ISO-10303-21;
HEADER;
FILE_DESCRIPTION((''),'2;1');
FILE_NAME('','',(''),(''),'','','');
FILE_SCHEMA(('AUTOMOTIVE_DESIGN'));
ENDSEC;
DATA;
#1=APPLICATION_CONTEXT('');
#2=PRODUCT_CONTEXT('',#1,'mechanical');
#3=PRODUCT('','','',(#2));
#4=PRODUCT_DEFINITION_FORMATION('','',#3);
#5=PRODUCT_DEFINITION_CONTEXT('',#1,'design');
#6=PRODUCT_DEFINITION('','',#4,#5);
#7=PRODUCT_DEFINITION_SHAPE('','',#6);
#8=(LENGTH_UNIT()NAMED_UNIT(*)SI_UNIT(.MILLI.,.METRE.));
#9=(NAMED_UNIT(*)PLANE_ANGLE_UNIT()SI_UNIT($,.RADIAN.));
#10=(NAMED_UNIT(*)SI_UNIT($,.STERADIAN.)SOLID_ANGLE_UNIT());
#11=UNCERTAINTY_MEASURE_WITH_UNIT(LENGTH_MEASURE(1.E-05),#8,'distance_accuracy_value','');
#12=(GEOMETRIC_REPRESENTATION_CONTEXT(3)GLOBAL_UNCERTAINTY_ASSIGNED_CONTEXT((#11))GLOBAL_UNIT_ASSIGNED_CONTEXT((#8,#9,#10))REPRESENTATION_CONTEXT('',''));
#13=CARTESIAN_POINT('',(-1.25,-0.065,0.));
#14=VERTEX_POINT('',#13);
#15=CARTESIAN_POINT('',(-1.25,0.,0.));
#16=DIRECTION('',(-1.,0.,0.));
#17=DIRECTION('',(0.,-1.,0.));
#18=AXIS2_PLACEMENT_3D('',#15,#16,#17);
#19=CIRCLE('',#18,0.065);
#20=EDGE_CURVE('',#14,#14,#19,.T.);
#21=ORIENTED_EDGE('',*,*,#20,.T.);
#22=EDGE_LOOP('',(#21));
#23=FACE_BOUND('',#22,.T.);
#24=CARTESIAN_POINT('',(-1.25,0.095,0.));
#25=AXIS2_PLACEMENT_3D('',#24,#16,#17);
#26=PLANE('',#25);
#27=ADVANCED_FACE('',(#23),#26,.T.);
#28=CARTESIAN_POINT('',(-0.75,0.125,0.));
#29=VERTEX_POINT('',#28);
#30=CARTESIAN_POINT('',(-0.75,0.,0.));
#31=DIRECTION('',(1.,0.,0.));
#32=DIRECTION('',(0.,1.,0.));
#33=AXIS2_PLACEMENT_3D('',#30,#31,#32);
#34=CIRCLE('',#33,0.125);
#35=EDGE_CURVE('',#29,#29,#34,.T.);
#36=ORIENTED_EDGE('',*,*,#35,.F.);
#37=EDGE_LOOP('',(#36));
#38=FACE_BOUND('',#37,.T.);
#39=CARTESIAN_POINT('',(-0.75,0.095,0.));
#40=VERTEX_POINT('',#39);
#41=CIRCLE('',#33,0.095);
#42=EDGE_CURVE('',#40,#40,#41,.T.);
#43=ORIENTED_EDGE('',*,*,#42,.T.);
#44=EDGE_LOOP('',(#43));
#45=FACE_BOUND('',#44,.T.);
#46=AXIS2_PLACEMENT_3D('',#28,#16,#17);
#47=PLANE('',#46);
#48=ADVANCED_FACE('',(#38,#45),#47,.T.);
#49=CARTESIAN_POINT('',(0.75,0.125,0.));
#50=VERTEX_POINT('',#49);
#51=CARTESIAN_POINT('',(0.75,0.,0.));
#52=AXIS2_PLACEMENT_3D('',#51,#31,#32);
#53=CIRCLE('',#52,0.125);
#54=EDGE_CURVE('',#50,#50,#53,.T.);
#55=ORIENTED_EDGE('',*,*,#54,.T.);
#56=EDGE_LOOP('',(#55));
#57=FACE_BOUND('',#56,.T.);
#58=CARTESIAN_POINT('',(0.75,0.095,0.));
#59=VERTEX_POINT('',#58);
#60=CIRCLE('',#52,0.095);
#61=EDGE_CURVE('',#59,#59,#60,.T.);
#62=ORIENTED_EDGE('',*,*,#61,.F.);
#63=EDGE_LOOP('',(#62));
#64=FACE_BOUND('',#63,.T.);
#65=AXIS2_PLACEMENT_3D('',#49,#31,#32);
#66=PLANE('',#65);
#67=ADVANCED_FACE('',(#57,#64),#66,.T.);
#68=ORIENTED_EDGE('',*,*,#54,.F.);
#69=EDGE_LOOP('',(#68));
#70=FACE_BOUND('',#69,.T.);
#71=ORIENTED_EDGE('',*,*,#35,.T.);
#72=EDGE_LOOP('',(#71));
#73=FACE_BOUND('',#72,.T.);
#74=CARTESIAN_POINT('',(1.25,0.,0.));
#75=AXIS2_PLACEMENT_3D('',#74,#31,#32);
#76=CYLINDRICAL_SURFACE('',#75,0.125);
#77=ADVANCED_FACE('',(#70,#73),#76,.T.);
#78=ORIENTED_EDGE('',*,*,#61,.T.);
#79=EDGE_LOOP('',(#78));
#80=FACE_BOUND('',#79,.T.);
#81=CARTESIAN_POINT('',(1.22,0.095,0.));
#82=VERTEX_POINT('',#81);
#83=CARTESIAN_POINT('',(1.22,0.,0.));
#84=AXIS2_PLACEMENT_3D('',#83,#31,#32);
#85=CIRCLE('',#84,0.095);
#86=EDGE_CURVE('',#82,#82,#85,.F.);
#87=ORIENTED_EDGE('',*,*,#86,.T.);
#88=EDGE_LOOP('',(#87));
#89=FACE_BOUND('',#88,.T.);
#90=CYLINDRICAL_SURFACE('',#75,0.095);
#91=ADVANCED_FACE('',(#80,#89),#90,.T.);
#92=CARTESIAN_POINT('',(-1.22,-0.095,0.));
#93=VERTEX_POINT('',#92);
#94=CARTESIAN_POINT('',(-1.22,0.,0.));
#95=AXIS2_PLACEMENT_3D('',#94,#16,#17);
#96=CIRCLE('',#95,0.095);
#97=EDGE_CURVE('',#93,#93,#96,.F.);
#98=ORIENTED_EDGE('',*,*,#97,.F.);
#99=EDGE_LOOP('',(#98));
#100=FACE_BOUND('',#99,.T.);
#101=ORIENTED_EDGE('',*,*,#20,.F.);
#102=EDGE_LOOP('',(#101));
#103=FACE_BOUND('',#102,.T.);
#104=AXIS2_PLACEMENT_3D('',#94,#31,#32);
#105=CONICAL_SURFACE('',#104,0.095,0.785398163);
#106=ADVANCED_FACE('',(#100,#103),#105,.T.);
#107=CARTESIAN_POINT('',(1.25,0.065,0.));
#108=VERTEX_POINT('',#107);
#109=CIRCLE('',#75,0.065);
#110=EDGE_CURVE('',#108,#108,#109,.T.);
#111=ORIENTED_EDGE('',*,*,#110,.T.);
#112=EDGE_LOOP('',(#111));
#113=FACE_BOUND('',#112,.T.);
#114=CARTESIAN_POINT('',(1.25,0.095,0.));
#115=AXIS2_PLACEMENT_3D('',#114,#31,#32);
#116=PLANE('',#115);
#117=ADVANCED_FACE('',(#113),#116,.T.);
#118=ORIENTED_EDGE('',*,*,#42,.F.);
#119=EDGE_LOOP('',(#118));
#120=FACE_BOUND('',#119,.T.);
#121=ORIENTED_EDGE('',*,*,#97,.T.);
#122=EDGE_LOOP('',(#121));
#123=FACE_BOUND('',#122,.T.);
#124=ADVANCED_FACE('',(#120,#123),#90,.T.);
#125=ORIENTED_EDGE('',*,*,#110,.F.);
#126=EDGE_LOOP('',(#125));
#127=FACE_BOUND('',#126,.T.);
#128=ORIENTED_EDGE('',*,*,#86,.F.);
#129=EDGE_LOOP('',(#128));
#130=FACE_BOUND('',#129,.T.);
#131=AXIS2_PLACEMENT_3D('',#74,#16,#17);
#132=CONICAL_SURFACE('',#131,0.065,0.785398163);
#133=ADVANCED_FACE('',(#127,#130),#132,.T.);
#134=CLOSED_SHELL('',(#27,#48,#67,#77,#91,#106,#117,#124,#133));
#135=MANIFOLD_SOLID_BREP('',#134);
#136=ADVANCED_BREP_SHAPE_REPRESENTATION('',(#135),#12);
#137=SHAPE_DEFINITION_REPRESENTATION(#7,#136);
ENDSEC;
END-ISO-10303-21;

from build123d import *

# Parameters (mm, degrees)
CHAMFER1_SIZE = 0.03
CHAMFER2_SIZE = 0.03


with BuildPart() as part:
    # Sketch1 → Revolve1 (revolve)
    with BuildSketch(Plane.XY):
        Polygon((-0.75, 0.125), (0.75, 0.125), (0.75, 0.095), (1.25, 0.095), (1.25, 0), (-1.25, 0), (-1.25, 0.095), (-0.75, 0.095), align=None)
    revolve(axis=Axis((1.25, 0, 0), (-1, 0, 0)))

    # Chamfer1
    chamfer1_edges = [part.edges().sort_by_distance(p)[0] for p in [
        (-1.25, -0.095, 0),
    ]]
    chamfer(chamfer1_edges, length=CHAMFER1_SIZE)

    # Chamfer2
    chamfer2_edges = [part.edges().sort_by_distance(p)[0] for p in [
        (1.25, -0.095, 0),
    ]]
    chamfer(chamfer2_edges, length=CHAMFER2_SIZE)


solid = part.part
